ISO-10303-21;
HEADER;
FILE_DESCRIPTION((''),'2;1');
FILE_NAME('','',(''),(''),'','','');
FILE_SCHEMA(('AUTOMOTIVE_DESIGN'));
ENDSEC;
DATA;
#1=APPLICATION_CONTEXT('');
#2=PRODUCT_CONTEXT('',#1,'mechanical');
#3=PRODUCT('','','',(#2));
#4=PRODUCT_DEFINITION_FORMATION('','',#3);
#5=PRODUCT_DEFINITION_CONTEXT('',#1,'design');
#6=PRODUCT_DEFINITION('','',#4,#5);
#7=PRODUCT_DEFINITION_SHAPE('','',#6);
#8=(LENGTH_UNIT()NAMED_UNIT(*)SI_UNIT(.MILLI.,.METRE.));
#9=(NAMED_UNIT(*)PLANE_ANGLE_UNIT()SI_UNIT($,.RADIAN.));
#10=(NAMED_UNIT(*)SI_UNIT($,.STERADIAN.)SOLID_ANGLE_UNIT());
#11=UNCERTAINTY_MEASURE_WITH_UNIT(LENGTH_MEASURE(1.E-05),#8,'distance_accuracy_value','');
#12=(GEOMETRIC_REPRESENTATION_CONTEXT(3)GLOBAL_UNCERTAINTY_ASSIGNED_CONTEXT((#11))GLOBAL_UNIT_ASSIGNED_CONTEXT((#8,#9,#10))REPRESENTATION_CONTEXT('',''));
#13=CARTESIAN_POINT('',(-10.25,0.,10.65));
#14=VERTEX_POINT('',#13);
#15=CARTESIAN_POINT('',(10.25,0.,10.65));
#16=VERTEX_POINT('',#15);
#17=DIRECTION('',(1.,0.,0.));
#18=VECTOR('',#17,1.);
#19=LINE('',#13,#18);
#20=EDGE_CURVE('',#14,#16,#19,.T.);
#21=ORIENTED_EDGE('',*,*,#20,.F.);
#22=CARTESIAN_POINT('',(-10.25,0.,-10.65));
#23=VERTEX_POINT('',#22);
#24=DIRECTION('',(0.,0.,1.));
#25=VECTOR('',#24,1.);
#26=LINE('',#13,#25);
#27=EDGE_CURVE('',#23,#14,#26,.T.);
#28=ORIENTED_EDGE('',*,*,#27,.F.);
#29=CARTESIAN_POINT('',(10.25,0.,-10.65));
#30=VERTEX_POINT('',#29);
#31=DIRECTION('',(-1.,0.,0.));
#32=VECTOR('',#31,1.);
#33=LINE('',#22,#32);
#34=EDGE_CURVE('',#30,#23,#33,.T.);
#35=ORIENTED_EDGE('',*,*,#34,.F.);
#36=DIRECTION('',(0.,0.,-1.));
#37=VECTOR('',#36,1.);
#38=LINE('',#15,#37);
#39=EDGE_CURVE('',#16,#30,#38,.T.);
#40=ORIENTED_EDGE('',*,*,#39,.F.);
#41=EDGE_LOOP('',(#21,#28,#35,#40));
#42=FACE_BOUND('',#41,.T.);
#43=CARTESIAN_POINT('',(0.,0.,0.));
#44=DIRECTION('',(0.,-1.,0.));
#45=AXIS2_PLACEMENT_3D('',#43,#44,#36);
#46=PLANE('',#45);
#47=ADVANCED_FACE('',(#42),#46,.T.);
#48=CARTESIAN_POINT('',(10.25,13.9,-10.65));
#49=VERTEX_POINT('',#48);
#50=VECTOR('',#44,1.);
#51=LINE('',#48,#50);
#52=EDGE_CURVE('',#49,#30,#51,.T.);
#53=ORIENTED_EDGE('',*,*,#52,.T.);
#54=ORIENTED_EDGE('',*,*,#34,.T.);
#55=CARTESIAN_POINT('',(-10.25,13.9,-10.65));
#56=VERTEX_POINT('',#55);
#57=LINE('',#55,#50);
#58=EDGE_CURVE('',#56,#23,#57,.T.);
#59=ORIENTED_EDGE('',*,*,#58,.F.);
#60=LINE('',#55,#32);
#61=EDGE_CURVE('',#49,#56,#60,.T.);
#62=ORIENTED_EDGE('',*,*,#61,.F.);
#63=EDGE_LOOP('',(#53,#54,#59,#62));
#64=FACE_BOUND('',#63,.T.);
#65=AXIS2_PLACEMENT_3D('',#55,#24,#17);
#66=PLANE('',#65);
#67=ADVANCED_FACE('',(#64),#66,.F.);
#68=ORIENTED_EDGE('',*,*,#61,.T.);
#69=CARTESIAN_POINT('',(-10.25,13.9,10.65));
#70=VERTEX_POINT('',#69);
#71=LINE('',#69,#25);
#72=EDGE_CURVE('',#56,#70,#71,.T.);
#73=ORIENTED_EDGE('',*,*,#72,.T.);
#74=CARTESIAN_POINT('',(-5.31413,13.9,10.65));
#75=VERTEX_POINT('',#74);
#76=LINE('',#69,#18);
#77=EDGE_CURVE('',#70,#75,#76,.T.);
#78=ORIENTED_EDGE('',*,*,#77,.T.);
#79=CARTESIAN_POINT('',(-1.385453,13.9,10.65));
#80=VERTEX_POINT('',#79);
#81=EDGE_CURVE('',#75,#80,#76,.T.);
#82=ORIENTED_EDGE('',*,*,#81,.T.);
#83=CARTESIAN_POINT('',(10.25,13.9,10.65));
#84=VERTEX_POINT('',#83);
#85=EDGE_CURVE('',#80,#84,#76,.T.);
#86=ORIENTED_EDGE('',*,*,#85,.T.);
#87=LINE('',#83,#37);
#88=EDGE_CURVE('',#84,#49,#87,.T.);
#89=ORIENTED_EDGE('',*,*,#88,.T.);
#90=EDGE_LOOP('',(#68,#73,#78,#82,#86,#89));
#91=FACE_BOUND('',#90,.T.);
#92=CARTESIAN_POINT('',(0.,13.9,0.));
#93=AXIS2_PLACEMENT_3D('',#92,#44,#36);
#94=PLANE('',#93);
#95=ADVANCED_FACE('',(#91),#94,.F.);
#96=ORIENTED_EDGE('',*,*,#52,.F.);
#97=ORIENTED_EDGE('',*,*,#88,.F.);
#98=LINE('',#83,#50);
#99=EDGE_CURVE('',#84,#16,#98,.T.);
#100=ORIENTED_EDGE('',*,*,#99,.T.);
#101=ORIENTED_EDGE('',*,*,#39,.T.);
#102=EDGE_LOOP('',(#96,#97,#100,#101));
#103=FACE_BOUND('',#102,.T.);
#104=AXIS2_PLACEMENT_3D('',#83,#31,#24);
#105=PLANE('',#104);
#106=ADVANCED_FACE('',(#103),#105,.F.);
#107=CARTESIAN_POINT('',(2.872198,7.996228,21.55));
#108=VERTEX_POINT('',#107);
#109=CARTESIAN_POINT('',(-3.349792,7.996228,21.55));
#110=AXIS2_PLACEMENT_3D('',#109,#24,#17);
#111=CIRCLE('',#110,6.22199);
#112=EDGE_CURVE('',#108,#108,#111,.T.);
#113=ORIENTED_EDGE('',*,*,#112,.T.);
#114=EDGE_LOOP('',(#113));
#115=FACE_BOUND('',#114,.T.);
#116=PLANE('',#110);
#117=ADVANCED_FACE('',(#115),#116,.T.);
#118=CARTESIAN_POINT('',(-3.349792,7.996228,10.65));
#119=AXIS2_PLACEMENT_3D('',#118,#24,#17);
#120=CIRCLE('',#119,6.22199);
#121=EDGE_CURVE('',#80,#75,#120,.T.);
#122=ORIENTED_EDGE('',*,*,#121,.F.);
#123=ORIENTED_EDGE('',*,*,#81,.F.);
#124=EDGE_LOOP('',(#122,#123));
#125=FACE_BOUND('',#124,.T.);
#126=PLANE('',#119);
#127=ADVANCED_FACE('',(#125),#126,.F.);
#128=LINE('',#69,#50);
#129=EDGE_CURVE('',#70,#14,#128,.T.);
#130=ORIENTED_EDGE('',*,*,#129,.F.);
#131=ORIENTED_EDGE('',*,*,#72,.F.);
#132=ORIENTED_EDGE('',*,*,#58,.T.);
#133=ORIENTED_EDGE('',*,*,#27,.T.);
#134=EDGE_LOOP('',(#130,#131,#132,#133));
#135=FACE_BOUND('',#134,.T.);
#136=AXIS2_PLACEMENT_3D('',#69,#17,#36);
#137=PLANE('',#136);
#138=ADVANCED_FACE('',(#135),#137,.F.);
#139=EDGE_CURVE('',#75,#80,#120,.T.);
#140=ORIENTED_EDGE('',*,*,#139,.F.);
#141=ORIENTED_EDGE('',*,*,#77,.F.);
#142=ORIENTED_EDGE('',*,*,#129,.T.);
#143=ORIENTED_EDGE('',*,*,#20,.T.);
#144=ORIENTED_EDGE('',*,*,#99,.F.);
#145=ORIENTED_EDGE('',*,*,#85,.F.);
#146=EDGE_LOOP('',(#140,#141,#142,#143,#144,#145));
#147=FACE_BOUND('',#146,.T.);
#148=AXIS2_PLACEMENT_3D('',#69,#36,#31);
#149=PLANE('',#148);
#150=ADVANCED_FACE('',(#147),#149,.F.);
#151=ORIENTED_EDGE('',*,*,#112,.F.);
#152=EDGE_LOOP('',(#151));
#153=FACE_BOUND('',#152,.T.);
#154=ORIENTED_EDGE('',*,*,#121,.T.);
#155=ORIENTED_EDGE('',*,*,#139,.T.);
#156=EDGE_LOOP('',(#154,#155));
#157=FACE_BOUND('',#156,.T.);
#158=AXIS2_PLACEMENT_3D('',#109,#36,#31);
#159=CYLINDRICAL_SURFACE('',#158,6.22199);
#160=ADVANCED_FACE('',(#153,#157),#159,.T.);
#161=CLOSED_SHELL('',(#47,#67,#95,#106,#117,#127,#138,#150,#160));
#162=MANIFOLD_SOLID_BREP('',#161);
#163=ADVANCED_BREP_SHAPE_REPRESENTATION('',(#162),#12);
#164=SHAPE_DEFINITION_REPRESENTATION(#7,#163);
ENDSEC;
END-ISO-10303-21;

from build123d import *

# Parameters (mm, degrees)
SKETCH1_W           = 20.5
SKETCH1_H           = 21.3
BOSS_EXTRUDE1_DEPTH = 13.9
SKETCH2_R           = 6.221989568
BOSS_EXTRUDE2_DEPTH = 10.9


with BuildPart() as part:
    # Sketch1 → Boss-Extrude1 (new body)
    with BuildSketch(Plane(origin=(0, 0, 0), x_dir=(1, 0, 0), z_dir=(0, 1, 0))):
        Rectangle(SKETCH1_W, SKETCH1_H)
    extrude(amount=BOSS_EXTRUDE1_DEPTH)

    # Sketch2 → Boss-Extrude2 (add)
    with BuildSketch(Plane.XY.offset(10.65)):
        with Locations((-3.349791779, 7.996227622)):
            Circle(SKETCH2_R)
    extrude(amount=BOSS_EXTRUDE2_DEPTH)


solid = part.part
